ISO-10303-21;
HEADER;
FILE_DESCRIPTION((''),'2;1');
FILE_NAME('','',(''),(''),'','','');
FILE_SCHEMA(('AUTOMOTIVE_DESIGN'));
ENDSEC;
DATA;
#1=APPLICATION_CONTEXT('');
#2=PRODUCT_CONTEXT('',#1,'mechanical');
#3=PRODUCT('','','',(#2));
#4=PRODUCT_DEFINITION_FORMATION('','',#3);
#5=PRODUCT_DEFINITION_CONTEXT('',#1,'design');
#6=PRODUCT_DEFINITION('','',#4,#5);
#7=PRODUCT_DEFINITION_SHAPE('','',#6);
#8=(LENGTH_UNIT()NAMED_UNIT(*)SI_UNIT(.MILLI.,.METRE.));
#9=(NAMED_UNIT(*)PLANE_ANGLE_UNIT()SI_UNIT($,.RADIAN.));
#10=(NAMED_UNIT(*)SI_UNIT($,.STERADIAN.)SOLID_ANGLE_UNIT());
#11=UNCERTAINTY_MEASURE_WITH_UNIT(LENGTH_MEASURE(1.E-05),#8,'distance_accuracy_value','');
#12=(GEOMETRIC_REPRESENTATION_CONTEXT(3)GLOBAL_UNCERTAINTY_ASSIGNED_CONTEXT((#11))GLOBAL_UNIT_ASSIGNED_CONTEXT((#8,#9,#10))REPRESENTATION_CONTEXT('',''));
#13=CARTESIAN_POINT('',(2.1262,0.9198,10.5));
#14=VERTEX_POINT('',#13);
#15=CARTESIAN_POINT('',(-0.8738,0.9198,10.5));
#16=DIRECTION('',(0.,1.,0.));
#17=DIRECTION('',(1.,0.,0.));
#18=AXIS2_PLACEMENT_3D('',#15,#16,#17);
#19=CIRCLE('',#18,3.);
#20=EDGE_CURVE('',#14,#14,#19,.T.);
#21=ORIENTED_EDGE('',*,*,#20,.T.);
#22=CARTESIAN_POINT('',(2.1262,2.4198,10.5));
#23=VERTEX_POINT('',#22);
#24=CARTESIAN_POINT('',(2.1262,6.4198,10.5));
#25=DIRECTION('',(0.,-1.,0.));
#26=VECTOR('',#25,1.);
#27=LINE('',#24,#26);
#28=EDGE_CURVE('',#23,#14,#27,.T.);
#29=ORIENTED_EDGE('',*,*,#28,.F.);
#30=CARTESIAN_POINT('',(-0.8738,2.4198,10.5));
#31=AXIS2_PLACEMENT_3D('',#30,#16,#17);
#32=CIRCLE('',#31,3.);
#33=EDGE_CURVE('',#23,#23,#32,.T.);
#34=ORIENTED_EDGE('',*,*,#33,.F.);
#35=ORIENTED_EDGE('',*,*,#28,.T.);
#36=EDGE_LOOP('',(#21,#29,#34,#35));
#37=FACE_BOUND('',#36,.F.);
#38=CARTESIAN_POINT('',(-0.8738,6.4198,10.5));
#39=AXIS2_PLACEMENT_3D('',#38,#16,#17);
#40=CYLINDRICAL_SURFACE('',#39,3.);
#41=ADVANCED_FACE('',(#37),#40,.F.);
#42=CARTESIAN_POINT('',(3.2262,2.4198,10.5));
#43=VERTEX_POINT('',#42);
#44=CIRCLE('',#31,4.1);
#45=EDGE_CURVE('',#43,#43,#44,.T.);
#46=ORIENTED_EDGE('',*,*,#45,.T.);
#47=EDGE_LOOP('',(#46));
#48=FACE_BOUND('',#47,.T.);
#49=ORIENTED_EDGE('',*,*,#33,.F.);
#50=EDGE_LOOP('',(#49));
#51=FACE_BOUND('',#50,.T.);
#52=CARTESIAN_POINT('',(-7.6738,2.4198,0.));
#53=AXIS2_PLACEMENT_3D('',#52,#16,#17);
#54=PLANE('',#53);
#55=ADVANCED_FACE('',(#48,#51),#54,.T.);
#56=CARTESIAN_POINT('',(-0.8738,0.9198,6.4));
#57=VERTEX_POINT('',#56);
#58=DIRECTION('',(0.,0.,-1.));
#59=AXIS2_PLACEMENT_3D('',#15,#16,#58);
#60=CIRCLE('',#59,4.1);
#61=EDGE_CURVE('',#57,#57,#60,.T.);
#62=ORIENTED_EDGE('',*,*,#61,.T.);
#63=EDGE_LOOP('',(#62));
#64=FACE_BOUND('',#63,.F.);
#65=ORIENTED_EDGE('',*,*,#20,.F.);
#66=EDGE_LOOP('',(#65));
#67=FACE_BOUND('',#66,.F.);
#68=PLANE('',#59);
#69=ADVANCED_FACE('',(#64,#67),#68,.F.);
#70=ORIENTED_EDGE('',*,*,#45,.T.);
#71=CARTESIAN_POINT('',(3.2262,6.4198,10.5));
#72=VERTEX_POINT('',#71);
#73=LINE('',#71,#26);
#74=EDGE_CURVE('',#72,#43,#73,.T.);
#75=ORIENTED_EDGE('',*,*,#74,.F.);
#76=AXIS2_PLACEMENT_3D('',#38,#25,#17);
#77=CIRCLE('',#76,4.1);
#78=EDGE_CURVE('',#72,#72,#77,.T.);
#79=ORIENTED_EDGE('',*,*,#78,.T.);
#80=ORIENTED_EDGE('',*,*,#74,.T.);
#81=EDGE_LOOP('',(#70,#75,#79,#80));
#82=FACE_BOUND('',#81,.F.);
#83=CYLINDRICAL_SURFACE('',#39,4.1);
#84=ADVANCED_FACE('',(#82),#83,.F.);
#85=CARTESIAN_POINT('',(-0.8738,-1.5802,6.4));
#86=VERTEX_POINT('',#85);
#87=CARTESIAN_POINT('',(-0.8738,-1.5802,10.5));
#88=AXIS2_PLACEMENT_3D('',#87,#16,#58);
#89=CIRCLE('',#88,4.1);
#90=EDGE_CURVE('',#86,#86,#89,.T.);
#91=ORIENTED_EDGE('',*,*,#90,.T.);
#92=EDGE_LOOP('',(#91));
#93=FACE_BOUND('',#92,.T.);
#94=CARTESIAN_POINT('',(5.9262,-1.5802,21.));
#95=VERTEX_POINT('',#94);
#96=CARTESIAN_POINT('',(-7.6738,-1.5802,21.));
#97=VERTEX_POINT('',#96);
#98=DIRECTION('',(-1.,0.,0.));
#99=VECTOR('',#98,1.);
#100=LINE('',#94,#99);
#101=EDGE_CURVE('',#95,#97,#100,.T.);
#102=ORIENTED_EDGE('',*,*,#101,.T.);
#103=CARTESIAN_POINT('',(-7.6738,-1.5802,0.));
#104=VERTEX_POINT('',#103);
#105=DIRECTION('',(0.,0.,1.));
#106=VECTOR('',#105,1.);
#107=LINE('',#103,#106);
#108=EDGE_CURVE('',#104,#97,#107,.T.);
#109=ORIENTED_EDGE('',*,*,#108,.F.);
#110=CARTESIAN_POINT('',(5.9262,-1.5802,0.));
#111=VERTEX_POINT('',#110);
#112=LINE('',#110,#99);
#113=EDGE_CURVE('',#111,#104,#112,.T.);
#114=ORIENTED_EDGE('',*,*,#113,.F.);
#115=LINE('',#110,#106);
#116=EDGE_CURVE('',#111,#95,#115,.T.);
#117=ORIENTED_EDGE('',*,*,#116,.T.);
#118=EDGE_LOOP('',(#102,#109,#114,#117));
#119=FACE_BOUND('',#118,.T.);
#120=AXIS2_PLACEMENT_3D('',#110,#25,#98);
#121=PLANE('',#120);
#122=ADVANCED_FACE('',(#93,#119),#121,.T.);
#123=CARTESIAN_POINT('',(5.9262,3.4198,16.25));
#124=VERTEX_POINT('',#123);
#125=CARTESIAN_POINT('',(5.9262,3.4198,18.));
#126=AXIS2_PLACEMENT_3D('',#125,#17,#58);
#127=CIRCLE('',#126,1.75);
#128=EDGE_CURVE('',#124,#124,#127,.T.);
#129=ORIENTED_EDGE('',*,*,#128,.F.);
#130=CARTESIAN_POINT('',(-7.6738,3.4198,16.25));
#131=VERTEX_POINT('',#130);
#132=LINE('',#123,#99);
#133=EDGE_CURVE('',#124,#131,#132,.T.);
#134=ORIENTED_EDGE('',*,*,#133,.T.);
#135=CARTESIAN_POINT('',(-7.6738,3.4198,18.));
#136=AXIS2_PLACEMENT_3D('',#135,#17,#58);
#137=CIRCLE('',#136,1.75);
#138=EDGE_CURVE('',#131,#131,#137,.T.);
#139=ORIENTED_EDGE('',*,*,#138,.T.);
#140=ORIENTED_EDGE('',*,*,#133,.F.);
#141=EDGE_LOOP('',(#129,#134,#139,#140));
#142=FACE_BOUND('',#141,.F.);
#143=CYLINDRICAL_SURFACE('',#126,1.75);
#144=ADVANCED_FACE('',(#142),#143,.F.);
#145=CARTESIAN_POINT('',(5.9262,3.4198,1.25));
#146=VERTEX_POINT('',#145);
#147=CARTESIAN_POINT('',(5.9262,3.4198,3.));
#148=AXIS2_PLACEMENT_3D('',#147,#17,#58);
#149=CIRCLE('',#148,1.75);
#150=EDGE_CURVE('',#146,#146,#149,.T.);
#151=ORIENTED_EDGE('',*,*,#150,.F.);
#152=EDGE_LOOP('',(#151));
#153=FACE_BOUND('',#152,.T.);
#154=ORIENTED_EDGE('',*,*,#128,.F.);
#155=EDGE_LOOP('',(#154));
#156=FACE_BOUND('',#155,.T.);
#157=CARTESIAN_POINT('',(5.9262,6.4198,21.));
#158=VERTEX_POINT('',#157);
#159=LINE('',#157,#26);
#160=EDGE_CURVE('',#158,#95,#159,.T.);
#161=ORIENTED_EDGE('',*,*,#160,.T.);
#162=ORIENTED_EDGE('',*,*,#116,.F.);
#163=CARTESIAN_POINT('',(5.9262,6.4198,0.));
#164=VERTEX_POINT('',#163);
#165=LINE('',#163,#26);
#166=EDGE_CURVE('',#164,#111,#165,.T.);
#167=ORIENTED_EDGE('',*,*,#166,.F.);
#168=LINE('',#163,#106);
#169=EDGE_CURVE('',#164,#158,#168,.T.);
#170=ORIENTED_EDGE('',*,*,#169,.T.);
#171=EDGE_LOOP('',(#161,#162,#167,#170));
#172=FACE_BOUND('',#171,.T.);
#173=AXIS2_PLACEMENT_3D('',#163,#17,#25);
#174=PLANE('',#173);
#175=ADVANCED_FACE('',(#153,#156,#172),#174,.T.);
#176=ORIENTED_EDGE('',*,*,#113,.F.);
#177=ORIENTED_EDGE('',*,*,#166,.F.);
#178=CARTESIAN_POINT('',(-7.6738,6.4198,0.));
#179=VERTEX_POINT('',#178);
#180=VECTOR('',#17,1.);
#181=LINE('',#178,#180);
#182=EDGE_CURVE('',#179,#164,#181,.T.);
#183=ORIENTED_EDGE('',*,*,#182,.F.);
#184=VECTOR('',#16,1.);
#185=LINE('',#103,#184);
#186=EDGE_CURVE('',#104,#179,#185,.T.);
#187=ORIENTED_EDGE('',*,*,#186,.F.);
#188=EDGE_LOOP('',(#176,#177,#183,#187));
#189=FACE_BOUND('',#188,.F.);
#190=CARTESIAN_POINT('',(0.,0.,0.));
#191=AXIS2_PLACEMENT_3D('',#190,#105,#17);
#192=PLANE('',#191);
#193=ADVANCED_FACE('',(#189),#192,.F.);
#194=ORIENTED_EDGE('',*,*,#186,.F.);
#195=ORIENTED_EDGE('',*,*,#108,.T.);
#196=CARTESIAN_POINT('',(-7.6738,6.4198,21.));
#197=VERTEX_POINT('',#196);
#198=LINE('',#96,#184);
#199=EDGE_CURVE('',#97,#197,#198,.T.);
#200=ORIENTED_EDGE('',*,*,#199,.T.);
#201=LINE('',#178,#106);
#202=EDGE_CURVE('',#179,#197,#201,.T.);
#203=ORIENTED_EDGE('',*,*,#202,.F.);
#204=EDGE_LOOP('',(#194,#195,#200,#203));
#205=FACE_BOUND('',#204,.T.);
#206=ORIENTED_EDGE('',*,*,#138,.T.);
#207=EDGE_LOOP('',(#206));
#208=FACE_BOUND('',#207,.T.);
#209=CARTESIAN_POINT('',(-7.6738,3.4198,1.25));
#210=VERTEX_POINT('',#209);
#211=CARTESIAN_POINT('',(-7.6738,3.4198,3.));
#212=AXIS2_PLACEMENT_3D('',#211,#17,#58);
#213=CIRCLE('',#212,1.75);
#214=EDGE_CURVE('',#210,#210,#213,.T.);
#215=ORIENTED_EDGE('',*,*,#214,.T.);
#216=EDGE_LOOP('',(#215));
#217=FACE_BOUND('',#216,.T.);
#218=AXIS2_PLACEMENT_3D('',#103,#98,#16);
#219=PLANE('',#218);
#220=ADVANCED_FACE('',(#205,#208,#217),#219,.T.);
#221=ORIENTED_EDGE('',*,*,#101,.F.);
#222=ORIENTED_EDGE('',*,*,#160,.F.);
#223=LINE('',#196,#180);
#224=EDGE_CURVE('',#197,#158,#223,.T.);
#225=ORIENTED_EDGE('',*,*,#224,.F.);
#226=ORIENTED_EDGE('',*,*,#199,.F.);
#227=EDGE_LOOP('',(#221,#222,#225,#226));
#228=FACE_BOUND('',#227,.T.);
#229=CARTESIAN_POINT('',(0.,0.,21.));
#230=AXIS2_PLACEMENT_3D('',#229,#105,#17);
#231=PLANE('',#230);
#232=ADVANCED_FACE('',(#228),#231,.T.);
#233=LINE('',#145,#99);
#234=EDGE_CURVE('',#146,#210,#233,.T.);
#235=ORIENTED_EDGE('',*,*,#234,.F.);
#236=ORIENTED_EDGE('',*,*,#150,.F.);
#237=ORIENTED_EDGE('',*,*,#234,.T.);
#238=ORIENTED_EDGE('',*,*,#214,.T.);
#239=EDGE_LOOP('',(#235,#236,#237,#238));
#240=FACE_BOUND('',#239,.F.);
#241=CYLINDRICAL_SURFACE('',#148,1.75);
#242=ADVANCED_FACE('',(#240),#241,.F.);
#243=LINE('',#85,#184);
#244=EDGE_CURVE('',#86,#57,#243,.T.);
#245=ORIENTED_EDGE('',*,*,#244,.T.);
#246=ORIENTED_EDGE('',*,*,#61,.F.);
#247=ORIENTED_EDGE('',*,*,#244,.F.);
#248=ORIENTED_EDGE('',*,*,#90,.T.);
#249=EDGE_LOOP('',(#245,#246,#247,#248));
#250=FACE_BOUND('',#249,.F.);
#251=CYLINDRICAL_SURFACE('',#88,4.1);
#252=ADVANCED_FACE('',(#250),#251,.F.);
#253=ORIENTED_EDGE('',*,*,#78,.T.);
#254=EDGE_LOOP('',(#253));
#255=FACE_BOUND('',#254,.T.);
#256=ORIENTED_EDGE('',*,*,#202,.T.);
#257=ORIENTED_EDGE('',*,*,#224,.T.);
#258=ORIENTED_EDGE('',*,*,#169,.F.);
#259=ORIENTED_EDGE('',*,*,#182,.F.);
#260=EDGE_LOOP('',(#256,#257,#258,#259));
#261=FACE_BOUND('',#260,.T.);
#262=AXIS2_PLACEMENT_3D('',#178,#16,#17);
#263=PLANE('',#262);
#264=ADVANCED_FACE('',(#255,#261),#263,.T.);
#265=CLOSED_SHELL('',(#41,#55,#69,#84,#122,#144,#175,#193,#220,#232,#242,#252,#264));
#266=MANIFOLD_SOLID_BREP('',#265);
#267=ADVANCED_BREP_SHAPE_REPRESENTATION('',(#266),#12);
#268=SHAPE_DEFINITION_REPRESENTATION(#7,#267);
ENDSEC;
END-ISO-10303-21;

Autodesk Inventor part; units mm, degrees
ref_plane "YZ Plane" through (0, 0, 0) normal (1, 0, 0) x (0, 1, 0)
ref_plane "XZ Plane" through (0, 0, 0) normal (0, 1, 0) x (-1, 0, 0)
ref_plane "XY Plane" through (0, 0, 0) normal (0, 0, 1) x (1, 0, 0)
sketch "Sketch1" plane through (0, 0, 0) normal (0, 0, 1) x (1, 0, 0)
  line L0 (-7.6738, 6.4198) -> (5.9262, 6.4198)
  line L1 (5.9262, 6.4198) -> (5.9262, -1.5802)
  line L2 (5.9262, -1.5802) -> (-7.6738, -1.5802)
  line L3 (-7.6738, -1.5802) -> (-7.6738, 6.4198)
  point P0 (0, 0)
  dimension "d0" = 8
  dimension "d1" = 13.6
extrude "Extrusion1" add sketch "Sketch1" along normal blind 21
sketch "Sketch2" plane through (5.9262, -1.5802, 0) normal (1, 0, 0) x (0, 0, -1)
  line L0 (-10.5, 7.1029) -> (-10.5, -3.9254)
  line L1 (-18.4841, 5) -> (1.1812, 5) construction
  circle A0 centre (-18, 5) radius 1.75
  circle A1 centre (-3, 5) radius 1.75
  line L2 (0, 8) -> (0, 0) construction
  line L3 (0, 8) -> (-21, 8) construction
  line L4 (-21, 0) -> (-21, 8) construction
  line L5 (0, 0) -> (-21, 0) construction
  line L6 (0, 8) -> (-21, 8) construction
  line L7 (-10.5, 8) -> (-10.5, 9.8874) construction
  point P0 (0, 1.5802)
  dimension "d4" = 3.5
  dimension "d6" = 15
  dimension "d24" = 3
extrude "Extrusion2" cut sketch "Sketch2" against normal through all
sketch "Sketch3" plane through (-7.6738, 6.4198, 0) normal (0, 1, 0) x (1, 0, 0)
  line L0 (13.6, -21) -> (0, -21) projected
  line L1 (6.8, -21) -> (6.8, 5.3018)
  line L2 (0, 0) -> (0, -21) projected
  line L3 (0, -10.5) -> (13.6, -10.5)
  line L4 (13.6, 0) -> (13.6, -21) projected
  circle A0 centre (6.8, -10.5) radius 3
  circle A1 centre (6.8, -10.5) radius 4.1
  point P0 (7.6738, 0)
  dimension "d9" = 6
  dimension "d10" = 8.2
extrude "bearing depth 2mm" cut sketch "Sketch3" against normal blind 4 contours A1 L3 A0 L1 | L1 A0 L3 A1 | L3 A0 L1 A1 | A1 L1 A0 L3
extrude "Extrusion4" cut sketch "Sketch3" against normal up to surface (8 mm away) contours A0 L3 L1 | L1 L3 A0 | L3 L1 A0 | L3 A0 L1
hole "Hole2" at (-0.8738, -1.5802, 10.5) direction (0, 1, 0) diameter 4 end through all counterbore diameter 8.2 counterbore depth 2.5
properties part number "slider-top-anker"
